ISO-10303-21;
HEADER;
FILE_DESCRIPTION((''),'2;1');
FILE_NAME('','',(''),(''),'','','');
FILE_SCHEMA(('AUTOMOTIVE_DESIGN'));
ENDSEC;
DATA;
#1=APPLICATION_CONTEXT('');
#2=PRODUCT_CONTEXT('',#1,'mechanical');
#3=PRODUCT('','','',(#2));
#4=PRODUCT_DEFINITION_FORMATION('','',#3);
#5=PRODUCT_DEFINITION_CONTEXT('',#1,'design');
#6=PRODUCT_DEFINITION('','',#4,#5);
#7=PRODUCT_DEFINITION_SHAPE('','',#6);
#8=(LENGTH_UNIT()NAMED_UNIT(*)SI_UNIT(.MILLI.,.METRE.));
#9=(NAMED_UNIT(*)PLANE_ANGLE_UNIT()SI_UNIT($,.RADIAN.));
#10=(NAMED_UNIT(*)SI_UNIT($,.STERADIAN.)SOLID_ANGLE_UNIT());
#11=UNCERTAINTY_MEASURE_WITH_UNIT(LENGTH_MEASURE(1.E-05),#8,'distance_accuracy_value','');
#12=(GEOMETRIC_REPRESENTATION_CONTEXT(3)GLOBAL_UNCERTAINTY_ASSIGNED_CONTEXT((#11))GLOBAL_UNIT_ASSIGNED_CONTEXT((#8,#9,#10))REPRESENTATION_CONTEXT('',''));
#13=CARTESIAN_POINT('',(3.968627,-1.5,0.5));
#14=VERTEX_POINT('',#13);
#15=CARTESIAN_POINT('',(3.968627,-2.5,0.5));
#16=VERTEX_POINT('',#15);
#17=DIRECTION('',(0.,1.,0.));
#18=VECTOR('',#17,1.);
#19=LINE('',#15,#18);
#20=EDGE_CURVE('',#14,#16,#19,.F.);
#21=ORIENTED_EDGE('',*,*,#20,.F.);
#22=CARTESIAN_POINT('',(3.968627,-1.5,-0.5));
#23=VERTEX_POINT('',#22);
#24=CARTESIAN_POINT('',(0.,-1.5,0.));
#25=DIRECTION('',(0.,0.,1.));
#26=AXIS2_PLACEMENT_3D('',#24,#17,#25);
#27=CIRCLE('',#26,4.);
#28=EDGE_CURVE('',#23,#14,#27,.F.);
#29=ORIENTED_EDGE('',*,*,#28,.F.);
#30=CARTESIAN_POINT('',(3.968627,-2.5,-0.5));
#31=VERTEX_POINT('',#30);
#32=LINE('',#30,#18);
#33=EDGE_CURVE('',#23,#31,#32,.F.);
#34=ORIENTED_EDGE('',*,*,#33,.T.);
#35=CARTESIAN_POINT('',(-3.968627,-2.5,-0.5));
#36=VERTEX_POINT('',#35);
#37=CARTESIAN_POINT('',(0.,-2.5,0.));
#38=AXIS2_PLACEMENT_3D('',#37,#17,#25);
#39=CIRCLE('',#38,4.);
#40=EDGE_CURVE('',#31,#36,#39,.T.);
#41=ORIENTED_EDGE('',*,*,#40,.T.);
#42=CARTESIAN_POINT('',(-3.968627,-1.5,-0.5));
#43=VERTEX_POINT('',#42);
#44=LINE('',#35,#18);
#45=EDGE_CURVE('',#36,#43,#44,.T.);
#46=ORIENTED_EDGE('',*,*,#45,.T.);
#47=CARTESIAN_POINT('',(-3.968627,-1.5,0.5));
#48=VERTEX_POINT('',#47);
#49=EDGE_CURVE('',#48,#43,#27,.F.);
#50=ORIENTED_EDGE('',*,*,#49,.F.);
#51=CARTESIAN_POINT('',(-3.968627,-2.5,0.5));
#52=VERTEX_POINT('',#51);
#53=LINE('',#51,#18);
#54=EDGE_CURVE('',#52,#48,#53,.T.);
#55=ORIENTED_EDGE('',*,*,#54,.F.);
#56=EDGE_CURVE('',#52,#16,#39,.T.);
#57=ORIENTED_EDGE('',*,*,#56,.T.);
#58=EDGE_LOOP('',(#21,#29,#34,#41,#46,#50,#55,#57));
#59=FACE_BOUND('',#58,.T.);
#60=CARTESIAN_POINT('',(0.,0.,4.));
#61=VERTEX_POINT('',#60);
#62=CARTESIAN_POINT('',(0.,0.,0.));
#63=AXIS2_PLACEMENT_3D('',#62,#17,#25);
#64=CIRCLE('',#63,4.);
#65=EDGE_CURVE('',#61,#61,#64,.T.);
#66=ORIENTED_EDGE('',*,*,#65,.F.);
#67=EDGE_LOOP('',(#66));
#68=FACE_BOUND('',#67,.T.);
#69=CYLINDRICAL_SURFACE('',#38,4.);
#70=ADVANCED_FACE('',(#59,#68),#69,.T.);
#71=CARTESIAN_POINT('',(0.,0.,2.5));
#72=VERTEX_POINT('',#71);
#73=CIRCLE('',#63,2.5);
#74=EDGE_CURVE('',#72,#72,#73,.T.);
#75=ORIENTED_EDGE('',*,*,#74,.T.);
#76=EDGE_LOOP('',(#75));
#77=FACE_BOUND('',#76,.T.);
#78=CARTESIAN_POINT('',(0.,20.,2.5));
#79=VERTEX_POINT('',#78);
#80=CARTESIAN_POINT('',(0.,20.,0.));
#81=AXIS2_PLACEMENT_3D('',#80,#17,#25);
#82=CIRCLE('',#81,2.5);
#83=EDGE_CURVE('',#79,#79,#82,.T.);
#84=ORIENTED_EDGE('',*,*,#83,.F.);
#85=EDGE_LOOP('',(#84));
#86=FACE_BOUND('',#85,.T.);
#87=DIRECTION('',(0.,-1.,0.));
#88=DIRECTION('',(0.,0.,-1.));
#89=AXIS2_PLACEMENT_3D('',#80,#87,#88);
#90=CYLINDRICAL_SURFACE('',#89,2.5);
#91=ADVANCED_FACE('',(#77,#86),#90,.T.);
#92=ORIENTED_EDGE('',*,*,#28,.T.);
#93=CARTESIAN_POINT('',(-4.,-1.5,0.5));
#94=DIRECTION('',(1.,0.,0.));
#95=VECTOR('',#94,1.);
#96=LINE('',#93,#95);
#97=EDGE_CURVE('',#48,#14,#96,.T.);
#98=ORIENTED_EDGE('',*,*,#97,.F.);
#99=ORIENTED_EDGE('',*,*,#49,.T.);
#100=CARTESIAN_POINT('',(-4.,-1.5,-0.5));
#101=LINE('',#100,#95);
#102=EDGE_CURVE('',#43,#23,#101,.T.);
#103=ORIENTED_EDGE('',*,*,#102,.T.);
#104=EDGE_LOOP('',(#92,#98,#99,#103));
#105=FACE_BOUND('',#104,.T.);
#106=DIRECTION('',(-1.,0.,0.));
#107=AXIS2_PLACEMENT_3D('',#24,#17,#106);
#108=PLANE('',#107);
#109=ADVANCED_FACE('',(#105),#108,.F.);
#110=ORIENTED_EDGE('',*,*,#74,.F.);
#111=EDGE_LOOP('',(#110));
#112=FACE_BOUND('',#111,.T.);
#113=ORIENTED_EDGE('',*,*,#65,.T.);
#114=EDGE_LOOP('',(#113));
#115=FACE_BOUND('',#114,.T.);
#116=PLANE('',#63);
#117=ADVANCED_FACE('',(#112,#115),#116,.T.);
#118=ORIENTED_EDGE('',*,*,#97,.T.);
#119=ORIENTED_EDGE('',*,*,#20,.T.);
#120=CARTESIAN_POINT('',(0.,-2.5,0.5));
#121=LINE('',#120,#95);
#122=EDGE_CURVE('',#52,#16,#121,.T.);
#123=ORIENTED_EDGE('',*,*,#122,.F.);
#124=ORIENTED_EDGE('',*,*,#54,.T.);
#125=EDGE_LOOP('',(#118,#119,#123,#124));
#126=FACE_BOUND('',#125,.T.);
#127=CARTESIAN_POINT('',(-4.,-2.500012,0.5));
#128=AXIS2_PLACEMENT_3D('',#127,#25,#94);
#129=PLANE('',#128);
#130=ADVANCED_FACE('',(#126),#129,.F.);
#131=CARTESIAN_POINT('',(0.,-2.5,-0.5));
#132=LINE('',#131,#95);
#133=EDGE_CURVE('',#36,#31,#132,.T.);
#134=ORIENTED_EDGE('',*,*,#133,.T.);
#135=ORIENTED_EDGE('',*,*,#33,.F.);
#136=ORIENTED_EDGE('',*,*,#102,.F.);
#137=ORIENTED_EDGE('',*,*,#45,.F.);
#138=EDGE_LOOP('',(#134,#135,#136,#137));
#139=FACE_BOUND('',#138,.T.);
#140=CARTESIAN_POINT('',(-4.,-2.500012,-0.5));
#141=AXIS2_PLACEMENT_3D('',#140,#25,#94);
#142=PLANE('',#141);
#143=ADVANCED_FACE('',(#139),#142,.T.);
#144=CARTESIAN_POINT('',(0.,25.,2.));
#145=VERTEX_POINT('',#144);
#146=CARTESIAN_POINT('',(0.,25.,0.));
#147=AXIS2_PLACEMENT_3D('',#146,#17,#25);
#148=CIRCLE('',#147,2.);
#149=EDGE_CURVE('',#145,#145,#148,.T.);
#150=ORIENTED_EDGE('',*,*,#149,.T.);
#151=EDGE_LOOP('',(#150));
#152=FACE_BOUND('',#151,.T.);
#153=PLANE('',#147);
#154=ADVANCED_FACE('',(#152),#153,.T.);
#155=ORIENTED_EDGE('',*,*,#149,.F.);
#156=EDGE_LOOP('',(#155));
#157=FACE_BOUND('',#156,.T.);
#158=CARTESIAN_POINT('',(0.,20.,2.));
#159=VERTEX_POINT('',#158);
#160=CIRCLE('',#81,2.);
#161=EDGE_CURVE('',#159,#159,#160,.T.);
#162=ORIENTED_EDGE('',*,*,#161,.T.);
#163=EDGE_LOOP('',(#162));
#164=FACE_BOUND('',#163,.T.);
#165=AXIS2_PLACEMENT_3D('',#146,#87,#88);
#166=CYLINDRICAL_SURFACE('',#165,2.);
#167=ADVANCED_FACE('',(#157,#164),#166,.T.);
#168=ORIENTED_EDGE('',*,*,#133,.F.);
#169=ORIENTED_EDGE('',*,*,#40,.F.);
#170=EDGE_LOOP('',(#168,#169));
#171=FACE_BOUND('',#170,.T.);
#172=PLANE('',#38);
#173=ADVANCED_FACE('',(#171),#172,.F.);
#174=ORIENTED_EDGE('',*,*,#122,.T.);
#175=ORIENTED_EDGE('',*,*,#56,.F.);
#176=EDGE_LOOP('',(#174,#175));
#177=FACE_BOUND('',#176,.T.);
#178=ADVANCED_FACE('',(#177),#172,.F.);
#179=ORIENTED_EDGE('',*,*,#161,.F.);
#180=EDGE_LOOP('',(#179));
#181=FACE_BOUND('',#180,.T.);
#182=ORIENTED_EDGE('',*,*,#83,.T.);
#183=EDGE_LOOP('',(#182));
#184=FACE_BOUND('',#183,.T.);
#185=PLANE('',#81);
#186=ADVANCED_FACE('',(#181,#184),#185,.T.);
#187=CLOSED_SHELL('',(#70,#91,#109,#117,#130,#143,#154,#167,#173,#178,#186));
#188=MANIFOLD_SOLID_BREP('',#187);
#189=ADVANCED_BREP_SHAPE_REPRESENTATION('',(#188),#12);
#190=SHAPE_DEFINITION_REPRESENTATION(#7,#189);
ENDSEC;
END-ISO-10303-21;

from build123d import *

# Parameters (mm, degrees)
SKETCH_1_R               = 4
EXTRUDE_1_DEPTH          = 2.5
SKETCH_2_R               = 2.5
EXTRUDE_2_DEPTH          = 20
SKETCH_3_R               = 2
EXTRUDE_3_DEPTH          = 5
CUT_EXTRUDE_1_DEPTH      = 29.075790283
CUT_EXTRUDE_1_DEPTH_BACK = 1
SKETCH_4_W               = 8
SKETCH_4_H               = 1


with BuildPart() as part:
    # 草图1 → 凸台-拉伸1 (new body)
    with BuildSketch(Plane(origin=(0, 0, 0), x_dir=(1, 0, 0), z_dir=(0, 1, 0))):
        Circle(SKETCH_1_R)
    extrude(amount=-EXTRUDE_1_DEPTH)

    # 草图2 → 凸台-拉伸2 (add)
    with BuildSketch(Plane(origin=(0, 0, 0), x_dir=(1, 0, 0), z_dir=(0, 1, 0))):
        Circle(SKETCH_2_R)
    extrude(amount=EXTRUDE_2_DEPTH)

    # 草图3 → 凸台-拉伸3 (add)
    with BuildSketch(Plane(origin=(0, 20, 0), x_dir=(1, 0, 0), z_dir=(0, 1, 0))):
        Circle(SKETCH_3_R)
    extrude(amount=EXTRUDE_3_DEPTH)

    # 草图4 → 切除-拉伸-薄壁1 (cut, two sides: drawn at the far end of the back side and taken through both)
    with BuildSketch(Plane.XZ.offset(2.5).offset(-CUT_EXTRUDE_1_DEPTH_BACK)):
        Rectangle(SKETCH_4_W, SKETCH_4_H)
    extrude(amount=CUT_EXTRUDE_1_DEPTH + CUT_EXTRUDE_1_DEPTH_BACK, mode=Mode.SUBTRACT)


solid = part.part
